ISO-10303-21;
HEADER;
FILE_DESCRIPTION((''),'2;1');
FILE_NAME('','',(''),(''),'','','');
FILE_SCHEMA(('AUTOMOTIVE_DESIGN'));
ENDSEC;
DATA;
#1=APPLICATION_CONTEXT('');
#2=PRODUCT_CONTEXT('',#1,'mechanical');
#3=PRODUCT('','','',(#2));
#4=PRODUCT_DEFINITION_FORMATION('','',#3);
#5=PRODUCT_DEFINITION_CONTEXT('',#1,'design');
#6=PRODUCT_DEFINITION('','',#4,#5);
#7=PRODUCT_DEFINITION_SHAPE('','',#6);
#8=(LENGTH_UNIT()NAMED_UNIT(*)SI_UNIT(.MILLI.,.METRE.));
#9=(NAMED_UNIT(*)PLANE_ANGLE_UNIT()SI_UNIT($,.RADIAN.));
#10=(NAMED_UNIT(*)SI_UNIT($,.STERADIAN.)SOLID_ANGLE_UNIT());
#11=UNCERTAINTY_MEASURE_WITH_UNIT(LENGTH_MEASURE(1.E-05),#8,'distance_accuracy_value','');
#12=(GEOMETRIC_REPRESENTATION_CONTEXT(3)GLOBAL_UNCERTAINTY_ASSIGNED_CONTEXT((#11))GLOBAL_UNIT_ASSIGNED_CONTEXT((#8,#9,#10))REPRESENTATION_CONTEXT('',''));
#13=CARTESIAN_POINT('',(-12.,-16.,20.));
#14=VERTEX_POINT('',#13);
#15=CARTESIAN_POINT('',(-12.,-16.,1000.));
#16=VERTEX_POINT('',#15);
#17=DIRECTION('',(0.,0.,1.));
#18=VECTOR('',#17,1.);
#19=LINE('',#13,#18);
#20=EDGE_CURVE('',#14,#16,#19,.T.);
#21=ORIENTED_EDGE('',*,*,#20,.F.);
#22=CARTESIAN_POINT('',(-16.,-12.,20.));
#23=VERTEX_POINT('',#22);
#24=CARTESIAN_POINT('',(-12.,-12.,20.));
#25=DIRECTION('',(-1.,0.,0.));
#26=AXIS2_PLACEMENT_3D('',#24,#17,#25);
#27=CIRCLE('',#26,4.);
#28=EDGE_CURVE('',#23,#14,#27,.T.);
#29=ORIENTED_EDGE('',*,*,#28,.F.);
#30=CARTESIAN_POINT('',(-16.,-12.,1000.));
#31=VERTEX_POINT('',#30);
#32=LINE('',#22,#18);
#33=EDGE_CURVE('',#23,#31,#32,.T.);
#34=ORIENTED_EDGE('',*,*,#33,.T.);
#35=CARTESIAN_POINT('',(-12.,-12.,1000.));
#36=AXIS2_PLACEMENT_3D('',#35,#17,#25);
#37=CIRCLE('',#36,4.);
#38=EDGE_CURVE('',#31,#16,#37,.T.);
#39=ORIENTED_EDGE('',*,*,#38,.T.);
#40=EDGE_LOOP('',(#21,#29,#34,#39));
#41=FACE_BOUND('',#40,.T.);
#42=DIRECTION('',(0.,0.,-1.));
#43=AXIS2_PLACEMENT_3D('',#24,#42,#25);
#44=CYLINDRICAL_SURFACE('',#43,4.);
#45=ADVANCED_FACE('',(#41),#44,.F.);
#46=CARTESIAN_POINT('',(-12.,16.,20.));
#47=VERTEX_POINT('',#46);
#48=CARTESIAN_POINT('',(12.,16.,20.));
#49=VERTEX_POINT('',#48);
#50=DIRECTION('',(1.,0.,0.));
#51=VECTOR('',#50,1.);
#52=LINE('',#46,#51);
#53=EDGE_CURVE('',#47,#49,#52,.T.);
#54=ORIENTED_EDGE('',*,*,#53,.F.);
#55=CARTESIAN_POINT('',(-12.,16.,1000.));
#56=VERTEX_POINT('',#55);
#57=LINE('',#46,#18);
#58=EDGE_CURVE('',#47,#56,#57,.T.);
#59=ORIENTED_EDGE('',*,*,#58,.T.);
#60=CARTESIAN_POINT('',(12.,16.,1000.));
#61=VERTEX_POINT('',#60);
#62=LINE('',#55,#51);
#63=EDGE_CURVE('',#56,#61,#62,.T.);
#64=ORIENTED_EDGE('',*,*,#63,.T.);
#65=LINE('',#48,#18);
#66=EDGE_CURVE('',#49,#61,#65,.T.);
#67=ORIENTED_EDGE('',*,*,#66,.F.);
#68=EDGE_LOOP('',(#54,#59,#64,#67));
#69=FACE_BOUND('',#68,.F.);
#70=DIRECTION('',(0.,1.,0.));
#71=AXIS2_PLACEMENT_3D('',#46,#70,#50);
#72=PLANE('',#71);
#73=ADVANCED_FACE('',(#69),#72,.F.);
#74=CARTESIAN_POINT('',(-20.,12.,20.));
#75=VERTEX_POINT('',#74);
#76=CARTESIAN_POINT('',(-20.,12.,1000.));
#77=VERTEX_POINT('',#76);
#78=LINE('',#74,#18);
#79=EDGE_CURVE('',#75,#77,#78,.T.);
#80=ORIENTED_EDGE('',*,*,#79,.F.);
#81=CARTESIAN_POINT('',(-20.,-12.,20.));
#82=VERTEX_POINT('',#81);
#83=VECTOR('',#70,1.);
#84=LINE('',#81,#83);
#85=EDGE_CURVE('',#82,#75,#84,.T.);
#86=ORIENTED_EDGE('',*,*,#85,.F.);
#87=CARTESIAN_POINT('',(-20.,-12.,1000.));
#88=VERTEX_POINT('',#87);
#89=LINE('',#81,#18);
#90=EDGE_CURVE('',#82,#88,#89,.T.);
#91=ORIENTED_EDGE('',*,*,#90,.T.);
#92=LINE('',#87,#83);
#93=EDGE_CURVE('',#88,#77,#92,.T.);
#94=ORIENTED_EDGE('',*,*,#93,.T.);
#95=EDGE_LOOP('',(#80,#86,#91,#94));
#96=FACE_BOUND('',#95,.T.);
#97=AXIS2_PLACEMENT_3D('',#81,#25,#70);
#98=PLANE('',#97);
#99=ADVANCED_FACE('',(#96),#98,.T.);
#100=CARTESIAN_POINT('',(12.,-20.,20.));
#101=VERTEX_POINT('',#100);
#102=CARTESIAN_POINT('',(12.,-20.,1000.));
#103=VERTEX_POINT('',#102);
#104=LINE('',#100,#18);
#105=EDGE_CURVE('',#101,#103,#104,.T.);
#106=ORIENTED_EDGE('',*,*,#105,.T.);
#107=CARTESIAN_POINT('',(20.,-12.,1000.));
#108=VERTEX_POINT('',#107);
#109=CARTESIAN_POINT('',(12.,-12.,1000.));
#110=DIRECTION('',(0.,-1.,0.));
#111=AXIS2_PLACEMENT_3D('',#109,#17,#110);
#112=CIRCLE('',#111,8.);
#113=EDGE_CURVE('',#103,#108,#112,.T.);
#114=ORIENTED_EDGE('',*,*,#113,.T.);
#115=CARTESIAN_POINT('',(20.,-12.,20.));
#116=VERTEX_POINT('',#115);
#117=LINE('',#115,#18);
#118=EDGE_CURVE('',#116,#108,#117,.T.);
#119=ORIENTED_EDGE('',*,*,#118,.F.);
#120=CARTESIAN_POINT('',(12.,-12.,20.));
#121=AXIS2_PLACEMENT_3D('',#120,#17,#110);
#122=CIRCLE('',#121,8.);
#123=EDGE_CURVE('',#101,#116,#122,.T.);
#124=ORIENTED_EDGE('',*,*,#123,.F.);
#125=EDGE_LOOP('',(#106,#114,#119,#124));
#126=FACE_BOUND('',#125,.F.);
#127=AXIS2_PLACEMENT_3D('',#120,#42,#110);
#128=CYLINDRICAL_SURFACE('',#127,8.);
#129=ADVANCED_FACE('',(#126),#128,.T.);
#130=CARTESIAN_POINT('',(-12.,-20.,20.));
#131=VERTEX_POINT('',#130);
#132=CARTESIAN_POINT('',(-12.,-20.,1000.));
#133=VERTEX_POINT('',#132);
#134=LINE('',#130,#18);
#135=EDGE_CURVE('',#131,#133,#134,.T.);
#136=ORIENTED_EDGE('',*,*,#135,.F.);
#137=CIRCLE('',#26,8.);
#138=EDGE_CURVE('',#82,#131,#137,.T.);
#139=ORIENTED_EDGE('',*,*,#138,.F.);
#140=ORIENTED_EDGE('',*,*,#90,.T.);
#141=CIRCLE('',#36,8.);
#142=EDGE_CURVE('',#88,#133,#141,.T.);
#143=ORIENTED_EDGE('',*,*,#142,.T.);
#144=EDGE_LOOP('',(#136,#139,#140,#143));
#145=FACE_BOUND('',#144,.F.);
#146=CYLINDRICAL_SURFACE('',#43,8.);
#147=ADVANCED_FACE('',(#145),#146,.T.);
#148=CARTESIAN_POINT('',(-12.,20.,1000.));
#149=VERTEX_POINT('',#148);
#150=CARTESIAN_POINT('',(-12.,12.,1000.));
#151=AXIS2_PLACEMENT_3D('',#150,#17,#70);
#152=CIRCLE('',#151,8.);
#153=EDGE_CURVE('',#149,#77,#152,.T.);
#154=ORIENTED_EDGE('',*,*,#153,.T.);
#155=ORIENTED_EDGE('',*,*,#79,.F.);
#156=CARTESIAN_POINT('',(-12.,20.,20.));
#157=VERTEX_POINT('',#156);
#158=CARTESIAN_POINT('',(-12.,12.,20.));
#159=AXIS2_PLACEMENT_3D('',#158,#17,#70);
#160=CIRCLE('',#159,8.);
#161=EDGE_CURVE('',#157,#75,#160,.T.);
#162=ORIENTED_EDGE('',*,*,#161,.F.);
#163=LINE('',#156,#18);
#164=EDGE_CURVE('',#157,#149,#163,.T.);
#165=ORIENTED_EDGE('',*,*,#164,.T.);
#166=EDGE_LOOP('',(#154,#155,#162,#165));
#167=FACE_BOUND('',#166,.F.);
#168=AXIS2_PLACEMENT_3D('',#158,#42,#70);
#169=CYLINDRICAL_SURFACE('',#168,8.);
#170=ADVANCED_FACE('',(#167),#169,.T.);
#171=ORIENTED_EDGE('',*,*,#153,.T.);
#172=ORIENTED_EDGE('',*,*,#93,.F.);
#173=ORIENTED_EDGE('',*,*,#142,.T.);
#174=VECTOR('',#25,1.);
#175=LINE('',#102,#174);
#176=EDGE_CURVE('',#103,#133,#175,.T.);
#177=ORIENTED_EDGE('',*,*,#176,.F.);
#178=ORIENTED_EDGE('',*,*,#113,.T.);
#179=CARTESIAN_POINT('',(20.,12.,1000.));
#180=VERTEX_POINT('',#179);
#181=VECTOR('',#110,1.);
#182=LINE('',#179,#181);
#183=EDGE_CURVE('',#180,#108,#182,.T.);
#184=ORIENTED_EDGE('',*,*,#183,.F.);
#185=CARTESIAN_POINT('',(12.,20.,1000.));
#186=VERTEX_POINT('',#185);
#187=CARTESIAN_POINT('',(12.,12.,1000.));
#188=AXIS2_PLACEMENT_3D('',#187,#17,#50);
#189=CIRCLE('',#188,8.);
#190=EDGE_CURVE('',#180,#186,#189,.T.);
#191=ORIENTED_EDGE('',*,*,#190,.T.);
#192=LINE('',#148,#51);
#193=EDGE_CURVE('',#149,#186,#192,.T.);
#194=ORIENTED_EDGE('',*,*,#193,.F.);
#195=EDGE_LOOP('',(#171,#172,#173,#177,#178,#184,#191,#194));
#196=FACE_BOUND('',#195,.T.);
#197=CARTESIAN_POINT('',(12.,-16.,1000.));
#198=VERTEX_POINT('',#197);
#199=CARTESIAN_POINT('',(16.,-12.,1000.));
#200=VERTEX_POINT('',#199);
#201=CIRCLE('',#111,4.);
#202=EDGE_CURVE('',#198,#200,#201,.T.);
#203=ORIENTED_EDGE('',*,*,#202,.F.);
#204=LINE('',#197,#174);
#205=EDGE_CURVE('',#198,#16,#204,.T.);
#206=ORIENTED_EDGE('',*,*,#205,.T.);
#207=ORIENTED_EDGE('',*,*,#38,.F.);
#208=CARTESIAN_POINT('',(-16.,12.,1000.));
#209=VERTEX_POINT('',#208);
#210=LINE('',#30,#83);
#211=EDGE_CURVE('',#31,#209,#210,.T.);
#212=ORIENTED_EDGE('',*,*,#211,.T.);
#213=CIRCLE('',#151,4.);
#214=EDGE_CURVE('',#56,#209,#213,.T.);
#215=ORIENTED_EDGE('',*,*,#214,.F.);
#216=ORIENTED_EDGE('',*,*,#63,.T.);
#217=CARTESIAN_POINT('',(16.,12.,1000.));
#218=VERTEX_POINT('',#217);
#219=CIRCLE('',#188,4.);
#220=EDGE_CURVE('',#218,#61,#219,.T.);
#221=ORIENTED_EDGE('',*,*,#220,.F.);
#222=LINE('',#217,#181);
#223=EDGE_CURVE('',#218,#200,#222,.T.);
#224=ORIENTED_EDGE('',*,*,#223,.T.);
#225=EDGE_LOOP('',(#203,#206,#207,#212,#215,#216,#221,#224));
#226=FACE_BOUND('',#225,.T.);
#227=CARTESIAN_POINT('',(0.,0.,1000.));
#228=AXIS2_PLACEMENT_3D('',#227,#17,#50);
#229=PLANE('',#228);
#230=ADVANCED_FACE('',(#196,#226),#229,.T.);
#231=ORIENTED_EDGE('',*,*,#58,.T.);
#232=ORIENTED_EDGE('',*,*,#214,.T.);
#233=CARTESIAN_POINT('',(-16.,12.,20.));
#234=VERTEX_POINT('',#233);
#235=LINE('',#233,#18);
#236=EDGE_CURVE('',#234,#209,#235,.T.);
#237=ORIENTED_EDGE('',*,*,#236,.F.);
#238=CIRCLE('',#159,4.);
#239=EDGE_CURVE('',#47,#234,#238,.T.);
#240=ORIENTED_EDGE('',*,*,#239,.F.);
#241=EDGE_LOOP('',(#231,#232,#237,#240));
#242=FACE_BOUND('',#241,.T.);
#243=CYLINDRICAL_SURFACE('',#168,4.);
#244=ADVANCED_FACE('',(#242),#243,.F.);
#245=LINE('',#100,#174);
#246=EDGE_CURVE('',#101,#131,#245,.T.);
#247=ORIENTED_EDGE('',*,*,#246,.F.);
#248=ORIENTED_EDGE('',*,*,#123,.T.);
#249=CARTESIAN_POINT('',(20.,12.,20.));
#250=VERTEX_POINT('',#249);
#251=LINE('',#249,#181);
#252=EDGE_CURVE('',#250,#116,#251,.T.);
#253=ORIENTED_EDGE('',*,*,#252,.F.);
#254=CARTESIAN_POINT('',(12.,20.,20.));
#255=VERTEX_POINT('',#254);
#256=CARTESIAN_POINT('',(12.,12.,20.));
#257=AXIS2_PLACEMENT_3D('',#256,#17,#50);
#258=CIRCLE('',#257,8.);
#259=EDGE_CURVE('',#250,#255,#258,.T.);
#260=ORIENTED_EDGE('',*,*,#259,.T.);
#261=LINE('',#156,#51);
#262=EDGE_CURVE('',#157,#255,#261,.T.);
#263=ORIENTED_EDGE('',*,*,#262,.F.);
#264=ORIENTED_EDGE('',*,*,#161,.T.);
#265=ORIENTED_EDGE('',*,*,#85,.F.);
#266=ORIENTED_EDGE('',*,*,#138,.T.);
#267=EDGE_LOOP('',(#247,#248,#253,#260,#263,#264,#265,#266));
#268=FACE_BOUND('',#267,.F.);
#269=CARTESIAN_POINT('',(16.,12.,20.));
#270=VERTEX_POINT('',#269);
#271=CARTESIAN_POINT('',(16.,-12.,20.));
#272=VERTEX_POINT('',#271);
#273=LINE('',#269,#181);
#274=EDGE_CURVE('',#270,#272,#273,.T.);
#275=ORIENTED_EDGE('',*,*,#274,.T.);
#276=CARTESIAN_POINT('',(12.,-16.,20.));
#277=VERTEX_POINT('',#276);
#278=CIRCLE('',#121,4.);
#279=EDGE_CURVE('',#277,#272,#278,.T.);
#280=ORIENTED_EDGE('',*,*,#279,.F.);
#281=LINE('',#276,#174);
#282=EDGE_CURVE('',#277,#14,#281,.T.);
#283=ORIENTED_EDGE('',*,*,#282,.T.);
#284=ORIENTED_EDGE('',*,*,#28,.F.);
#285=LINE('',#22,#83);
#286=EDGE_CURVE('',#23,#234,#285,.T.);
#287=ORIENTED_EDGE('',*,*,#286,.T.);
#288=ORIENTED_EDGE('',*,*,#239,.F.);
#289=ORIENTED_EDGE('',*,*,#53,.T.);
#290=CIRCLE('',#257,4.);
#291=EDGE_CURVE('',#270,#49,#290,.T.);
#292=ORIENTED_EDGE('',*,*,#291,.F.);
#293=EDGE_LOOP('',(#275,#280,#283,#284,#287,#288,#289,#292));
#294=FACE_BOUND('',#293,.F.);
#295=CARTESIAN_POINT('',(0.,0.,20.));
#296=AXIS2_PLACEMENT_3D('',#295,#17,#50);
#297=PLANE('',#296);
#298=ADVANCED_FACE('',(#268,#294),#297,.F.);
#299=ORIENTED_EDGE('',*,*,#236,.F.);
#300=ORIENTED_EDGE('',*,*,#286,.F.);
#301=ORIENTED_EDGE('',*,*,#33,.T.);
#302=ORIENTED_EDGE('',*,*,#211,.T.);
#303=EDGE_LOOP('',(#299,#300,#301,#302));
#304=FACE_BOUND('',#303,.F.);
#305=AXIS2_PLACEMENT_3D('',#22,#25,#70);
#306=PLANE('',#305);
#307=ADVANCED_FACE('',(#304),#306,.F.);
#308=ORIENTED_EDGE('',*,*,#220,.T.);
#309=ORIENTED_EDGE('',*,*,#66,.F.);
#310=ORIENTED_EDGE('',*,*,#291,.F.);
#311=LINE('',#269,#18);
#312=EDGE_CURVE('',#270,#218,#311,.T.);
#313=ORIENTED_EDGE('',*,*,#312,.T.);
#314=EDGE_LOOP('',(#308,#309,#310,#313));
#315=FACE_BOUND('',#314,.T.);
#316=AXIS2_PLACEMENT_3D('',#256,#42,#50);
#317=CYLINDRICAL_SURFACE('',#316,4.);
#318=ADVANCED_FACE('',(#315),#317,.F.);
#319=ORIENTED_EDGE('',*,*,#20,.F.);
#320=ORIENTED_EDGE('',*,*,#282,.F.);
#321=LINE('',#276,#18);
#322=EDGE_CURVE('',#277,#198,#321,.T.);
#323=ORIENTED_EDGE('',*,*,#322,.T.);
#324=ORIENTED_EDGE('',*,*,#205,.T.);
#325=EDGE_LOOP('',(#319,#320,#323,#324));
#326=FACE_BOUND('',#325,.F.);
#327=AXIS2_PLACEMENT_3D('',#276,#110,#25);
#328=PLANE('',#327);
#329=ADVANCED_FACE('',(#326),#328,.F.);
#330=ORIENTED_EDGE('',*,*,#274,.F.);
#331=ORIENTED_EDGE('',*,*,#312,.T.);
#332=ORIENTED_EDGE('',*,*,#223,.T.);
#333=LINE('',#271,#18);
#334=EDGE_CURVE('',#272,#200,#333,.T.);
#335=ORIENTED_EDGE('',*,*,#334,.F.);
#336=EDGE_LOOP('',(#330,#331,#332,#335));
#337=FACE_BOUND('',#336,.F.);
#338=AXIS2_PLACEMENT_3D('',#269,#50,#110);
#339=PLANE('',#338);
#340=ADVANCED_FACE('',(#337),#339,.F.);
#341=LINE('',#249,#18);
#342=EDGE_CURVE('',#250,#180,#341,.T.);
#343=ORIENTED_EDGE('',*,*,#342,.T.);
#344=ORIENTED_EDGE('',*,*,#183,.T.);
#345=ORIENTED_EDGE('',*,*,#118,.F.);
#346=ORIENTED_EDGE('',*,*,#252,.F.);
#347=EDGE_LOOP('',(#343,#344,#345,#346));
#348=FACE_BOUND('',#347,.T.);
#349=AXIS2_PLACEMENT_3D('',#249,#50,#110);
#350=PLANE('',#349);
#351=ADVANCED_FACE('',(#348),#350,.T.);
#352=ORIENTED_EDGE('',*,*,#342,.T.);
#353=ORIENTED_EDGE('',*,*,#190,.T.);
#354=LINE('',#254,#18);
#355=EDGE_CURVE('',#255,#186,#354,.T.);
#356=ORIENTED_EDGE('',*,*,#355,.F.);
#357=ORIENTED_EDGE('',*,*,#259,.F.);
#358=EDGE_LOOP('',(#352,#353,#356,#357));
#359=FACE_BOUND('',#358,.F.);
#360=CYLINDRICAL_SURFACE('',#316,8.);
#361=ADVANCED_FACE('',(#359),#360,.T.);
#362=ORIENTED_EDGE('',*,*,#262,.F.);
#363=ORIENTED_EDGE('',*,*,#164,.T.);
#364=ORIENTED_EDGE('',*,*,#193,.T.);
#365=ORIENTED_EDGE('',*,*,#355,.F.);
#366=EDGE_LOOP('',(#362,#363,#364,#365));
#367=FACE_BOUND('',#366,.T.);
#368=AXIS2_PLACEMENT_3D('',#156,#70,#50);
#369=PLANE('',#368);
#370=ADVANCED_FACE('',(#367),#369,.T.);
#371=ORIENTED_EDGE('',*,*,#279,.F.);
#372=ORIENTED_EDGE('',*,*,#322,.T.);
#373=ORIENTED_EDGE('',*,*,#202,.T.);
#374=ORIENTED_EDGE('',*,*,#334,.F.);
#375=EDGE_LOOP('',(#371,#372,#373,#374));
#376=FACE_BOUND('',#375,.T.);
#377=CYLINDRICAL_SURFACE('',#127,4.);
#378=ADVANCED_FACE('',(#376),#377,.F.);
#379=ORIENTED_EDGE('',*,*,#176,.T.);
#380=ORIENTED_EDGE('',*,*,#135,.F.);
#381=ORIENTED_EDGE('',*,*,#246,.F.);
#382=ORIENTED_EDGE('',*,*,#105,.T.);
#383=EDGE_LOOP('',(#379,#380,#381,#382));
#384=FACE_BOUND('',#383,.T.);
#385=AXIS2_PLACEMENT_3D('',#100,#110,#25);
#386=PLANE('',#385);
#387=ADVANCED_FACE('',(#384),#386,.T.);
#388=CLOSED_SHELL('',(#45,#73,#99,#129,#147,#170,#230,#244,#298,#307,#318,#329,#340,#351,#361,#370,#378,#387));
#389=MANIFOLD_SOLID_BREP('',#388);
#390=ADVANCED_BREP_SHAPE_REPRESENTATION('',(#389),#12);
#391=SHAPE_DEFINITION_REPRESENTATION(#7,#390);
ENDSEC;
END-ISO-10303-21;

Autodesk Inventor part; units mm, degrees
ref_plane "Start plane" through (0, 0, 20) normal (0, 0, 1) x (1, 0, 0)
ref_plane "End plane" through (0, 0, 1000) normal (0, 0, 1) x (1, 0, 0)
sketch "Sketch" plane through (0, 0, 0) normal (0, 0, 1) x (1, 0, 0)
  line L0 (-20, -12) -> (-20, 12)
  line L1 (-12, 20) -> (12, 20)
  line L2 (20, 12) -> (20, -12)
  line L3 (12, -20) -> (-12, -20)
  arc A0 (-20, -12) -> (-12, -20) centre (-12, -12) ccw
  arc A1 (-12, 20) -> (-20, 12) centre (-12, 12) ccw
  arc A2 (20, 12) -> (12, 20) centre (12, 12) ccw
  arc A3 (12, -20) -> (20, -12) centre (12, -12) ccw
  arc A4 (-12, 16) -> (-16, 12) centre (-12, 12) ccw
  line L4 (-12, 16) -> (12, 16)
  arc A5 (16, 12) -> (12, 16) centre (12, 12) ccw
  line L5 (16, 12) -> (16, -12)
  arc A6 (12, -16) -> (16, -12) centre (12, -12) ccw
  line L6 (12, -16) -> (-12, -16)
  arc A7 (-16, -12) -> (-12, -16) centre (-12, -12) ccw
  line L7 (-16, -12) -> (-16, 12)
  line L8 (0, 30.3196) -> (0, -30.3196) construction
  line L9 (-30.3196, 0) -> (30.3196, 0) construction
  dimension "d7" = 8
  dimension "d10" = 40
  dimension "d11" = 40
  dimension "d12" = 4
  dimension "d15" = 20
  dimension "d16" = 20
extrude "Body" add sketch "Sketch" along normal up to surface (980 mm away) from surface at 20
sketch "Sketch3" plane through (0, 0, 0) normal (0, 0, 1) x (1, 0, 0)
  line L0 (0, 0) -> (10, 0)
ref_plane "Work Plane3" through (0, 0, 0) normal (0, -1, 0) x (1, 0, 0)
sketch "Sketch4" plane through (0, 0, 0) normal (0, -1, 0) x (1, 0, 0)
  line L0 (-2, 20) -> (12, 20)
  line L1 (-2, 1000) -> (12, 1000)
  dimension "d18" = 980
ref_plane "Work Plane4" through (12, -900, 20) normal (0, 0, -1) x (-1, 0, 0)
split "Split1" plane through (12, -900, 20) removes the side toward (0, 0, -1)
equation "\"d7\" = G_IR"
equation "\"d10\" = G_H"
equation "\"d11\" = G_W"
equation "\"d12\" = G_T"
equation "\"d15\" = 0.5 * d10"
equation "\"d16\" = 0.5 * d11"
equation "\"d3\" = G_L"
equation "\"G_W\" = 40"
equation "\"G_H\" = 40"
equation "\"G_T\" = 4"
equation "\"G_IR\" = 8"
equation "\"G_L\" = d18"
equation "\"G_OFFSET_START\" = -20"
equation "\"G_OFFSET_END\" = 0"
equation "\"d13\" = -G_OFFSET_START"
properties part number "DIN EN 10219-2 - 40 x 40 x 4  - 980" material "Steel, Mild"
